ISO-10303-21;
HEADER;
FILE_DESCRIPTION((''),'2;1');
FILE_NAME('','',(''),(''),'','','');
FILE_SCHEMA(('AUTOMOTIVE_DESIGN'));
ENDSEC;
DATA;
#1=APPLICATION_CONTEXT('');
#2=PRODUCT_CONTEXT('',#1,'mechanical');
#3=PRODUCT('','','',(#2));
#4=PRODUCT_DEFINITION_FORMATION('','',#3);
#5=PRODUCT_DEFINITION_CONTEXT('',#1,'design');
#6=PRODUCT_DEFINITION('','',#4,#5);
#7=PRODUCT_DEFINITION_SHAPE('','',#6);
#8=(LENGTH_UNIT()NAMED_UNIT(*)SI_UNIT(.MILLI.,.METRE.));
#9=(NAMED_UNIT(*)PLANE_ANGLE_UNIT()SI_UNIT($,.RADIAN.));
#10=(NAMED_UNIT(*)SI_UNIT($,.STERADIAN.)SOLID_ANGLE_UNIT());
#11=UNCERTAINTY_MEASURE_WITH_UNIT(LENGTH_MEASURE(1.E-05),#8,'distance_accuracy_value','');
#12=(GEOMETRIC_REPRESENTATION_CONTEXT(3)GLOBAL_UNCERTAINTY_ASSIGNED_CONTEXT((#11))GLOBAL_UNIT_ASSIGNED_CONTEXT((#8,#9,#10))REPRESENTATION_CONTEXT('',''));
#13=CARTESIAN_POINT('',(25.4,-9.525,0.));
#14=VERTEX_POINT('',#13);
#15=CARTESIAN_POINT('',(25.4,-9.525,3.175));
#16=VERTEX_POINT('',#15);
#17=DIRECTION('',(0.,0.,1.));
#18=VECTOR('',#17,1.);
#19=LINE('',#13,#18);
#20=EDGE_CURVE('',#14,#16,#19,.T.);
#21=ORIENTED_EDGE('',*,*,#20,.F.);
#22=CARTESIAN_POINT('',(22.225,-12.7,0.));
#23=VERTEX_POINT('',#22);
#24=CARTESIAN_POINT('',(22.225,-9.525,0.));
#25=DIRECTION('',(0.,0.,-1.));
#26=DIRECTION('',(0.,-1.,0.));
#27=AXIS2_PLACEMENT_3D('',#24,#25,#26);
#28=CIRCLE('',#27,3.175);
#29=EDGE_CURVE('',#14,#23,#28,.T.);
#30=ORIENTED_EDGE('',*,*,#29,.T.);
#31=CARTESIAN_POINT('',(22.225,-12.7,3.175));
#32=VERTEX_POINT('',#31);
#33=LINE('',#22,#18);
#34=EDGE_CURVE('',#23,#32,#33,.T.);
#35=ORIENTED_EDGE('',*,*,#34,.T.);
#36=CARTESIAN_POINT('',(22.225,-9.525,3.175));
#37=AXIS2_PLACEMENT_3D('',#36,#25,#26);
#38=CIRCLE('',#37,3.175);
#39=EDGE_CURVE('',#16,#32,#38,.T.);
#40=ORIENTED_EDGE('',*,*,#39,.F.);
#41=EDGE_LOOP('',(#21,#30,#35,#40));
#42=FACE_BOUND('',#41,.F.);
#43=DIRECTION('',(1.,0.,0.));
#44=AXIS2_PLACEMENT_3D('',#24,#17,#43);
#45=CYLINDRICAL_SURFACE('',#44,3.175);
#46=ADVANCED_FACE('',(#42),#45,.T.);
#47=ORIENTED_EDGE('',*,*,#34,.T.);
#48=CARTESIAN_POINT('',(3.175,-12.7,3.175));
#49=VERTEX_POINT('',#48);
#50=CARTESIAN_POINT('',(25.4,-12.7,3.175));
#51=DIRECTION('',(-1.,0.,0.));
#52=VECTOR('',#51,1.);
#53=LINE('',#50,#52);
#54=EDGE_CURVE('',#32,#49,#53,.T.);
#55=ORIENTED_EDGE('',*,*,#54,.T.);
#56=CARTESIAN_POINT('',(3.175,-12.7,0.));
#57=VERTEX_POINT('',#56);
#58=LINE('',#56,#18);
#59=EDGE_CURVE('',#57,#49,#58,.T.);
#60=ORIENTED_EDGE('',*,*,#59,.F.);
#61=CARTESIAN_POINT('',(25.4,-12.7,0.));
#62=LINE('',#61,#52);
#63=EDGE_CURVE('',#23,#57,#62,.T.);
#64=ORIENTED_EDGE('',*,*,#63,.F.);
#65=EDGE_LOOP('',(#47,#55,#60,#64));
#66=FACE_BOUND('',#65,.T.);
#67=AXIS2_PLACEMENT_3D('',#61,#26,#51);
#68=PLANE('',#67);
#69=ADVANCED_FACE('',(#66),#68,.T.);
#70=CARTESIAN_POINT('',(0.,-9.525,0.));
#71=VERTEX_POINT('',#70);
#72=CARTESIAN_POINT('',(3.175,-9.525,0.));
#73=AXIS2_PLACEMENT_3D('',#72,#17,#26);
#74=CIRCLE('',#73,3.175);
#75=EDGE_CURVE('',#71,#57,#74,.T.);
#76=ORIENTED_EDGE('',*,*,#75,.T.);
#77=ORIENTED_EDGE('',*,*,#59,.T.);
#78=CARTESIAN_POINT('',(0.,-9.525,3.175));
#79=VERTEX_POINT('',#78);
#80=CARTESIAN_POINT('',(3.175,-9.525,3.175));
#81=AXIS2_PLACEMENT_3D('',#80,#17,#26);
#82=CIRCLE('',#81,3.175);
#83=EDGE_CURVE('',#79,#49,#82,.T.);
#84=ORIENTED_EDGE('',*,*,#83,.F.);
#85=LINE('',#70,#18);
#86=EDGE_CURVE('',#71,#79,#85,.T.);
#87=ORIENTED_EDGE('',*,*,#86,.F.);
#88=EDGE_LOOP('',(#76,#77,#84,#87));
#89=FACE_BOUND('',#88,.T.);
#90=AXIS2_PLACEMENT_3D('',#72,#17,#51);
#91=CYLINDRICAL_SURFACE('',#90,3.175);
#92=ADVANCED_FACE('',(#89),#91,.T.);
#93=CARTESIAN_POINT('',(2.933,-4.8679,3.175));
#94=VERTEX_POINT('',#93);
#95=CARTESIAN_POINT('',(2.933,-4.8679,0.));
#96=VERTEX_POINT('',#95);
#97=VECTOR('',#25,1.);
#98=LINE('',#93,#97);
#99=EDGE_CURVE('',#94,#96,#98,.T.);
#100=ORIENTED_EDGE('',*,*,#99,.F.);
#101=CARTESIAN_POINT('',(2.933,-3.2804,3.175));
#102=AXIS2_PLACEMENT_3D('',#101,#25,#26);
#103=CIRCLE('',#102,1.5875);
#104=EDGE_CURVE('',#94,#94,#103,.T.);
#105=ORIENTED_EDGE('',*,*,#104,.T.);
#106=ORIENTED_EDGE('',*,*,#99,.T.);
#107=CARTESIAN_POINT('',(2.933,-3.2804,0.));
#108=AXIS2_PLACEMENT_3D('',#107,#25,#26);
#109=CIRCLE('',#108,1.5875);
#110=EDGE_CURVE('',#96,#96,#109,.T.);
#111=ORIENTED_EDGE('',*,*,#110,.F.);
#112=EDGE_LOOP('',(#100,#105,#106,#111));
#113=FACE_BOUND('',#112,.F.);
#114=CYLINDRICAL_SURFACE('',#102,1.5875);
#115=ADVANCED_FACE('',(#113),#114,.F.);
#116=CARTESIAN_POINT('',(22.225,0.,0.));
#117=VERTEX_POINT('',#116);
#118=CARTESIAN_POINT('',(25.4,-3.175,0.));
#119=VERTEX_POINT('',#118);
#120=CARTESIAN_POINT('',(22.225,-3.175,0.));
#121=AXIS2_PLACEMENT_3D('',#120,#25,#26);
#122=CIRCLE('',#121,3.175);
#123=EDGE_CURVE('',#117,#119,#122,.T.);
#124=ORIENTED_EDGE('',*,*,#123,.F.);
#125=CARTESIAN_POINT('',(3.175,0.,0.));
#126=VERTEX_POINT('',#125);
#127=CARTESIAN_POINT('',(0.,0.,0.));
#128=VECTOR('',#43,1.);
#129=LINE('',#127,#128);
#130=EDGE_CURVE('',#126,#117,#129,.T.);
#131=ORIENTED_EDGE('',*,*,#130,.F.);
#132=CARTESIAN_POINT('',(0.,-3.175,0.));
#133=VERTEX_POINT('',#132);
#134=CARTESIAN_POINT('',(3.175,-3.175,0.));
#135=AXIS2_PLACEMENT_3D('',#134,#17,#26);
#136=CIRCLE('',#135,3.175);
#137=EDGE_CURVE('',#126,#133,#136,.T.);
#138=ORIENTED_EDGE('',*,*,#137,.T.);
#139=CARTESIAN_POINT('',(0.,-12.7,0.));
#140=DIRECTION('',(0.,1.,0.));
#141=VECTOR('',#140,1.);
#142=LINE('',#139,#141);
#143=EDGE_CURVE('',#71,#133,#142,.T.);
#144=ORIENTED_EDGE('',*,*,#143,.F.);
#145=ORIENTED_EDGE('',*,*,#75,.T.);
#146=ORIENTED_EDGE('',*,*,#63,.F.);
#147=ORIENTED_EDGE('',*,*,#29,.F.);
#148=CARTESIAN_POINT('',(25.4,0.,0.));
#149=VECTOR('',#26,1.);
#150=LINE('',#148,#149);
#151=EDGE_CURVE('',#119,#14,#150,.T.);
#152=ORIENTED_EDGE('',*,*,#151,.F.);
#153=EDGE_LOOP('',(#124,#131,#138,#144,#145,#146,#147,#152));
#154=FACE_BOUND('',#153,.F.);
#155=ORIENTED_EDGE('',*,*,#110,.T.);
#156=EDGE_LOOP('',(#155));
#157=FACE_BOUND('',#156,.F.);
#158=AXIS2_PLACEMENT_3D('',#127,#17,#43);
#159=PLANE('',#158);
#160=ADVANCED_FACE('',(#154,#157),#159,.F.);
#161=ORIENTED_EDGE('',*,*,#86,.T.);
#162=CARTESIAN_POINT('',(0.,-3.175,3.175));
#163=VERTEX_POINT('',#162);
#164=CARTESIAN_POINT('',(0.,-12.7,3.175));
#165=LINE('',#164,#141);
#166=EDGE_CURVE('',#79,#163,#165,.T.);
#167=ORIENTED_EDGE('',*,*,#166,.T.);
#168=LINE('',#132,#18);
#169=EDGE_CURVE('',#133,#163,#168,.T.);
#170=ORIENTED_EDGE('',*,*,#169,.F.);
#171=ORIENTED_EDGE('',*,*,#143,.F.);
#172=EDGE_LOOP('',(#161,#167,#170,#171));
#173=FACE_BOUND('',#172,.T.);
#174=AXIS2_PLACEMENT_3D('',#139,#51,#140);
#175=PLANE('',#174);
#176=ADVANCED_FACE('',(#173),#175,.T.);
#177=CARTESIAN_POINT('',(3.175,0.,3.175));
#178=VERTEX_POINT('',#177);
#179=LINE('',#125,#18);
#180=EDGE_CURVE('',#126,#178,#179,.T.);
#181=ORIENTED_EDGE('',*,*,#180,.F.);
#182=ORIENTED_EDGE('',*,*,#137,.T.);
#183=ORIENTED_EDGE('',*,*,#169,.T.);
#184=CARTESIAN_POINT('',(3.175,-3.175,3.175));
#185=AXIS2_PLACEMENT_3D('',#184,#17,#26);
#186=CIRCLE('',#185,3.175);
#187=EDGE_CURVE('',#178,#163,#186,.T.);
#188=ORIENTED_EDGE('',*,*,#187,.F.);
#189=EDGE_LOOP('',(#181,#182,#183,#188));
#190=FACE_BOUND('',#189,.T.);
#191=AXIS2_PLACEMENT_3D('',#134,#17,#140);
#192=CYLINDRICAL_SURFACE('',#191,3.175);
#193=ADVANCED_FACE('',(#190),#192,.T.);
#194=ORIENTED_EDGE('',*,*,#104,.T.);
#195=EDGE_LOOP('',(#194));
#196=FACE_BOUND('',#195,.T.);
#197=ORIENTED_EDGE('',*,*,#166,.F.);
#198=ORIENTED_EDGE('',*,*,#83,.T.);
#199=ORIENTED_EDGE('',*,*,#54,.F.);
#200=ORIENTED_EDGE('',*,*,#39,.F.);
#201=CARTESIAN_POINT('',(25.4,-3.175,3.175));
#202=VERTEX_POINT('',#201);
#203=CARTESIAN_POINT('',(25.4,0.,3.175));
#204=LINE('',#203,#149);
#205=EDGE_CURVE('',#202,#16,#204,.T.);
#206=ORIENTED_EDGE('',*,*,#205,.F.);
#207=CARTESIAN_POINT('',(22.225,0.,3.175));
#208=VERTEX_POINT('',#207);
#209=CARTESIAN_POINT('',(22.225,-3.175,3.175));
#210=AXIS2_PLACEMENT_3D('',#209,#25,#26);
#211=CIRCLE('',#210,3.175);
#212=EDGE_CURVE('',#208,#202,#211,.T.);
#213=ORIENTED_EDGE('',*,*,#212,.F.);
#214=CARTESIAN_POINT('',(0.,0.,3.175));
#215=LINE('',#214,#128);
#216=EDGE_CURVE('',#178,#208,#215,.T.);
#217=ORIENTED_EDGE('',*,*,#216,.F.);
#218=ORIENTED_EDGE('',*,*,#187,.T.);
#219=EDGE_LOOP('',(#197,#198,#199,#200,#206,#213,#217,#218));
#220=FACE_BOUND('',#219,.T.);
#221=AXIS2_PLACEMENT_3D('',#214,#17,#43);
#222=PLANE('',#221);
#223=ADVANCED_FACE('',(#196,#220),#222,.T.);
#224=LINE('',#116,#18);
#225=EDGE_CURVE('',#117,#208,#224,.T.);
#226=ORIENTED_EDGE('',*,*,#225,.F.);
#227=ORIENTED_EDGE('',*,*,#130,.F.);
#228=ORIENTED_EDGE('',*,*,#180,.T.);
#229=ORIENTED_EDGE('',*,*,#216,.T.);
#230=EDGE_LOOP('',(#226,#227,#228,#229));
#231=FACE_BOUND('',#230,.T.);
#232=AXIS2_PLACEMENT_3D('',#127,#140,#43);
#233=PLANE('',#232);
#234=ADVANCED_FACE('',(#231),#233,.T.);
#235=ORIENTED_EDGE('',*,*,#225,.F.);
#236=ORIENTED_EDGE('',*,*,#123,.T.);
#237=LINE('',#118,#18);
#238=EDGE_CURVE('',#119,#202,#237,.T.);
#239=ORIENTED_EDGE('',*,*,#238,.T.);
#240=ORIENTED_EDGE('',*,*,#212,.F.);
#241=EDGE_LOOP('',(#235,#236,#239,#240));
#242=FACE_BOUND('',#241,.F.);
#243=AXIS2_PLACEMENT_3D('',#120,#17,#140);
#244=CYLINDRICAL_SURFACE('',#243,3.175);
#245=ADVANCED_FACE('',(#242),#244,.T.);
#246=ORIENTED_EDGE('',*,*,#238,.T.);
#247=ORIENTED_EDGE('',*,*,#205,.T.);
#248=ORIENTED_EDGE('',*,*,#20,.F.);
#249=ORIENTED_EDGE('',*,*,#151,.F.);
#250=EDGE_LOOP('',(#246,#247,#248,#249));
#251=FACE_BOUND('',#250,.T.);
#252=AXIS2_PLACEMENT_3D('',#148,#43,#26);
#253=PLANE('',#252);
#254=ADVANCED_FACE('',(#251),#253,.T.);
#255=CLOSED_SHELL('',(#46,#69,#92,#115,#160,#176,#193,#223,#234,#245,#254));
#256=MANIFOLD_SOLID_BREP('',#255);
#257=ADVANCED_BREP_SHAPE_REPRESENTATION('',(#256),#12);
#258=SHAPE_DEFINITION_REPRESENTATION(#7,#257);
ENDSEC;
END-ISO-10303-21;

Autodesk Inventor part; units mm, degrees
ref_plane "YZ Plane" through (0, 0, 0) normal (1, 0, 0) x (0, 1, 0)
ref_plane "XZ Plane" through (0, 0, 0) normal (0, 1, 0) x (-1, 0, 0)
ref_plane "XY Plane" through (0, 0, 0) normal (0, 0, 1) x (1, 0, 0)
sketch "Sketch1" plane through (0, 0, 0) normal (0, 0, 1) x (1, 0, 0)
  line L0 (0, 0) -> (25.4, 0)
  line L1 (25.4, 0) -> (25.4, -12.7)
  line L2 (25.4, -12.7) -> (0, -12.7)
  line L3 (0, -12.7) -> (0, 0)
  dimension "d0" = 25.4
  dimension "d1" = 12.7
extrude "Extrusion1" add sketch "Sketch1" along normal blind 3.175
hole "Hole1" at (2.933, -3.2804, 3.175) direction (0, 0, -1) diameter 3.175 depth 3.175 tip angle 118
fillet "Fillet1" radius 3.175 4 edges at (25.4, 0, 1.5875) (0, 0, 1.5875) (0, -12.7, 1.5875) (25.4, -12.7, 1.5875)
properties part number "Keychain_Bowen"
